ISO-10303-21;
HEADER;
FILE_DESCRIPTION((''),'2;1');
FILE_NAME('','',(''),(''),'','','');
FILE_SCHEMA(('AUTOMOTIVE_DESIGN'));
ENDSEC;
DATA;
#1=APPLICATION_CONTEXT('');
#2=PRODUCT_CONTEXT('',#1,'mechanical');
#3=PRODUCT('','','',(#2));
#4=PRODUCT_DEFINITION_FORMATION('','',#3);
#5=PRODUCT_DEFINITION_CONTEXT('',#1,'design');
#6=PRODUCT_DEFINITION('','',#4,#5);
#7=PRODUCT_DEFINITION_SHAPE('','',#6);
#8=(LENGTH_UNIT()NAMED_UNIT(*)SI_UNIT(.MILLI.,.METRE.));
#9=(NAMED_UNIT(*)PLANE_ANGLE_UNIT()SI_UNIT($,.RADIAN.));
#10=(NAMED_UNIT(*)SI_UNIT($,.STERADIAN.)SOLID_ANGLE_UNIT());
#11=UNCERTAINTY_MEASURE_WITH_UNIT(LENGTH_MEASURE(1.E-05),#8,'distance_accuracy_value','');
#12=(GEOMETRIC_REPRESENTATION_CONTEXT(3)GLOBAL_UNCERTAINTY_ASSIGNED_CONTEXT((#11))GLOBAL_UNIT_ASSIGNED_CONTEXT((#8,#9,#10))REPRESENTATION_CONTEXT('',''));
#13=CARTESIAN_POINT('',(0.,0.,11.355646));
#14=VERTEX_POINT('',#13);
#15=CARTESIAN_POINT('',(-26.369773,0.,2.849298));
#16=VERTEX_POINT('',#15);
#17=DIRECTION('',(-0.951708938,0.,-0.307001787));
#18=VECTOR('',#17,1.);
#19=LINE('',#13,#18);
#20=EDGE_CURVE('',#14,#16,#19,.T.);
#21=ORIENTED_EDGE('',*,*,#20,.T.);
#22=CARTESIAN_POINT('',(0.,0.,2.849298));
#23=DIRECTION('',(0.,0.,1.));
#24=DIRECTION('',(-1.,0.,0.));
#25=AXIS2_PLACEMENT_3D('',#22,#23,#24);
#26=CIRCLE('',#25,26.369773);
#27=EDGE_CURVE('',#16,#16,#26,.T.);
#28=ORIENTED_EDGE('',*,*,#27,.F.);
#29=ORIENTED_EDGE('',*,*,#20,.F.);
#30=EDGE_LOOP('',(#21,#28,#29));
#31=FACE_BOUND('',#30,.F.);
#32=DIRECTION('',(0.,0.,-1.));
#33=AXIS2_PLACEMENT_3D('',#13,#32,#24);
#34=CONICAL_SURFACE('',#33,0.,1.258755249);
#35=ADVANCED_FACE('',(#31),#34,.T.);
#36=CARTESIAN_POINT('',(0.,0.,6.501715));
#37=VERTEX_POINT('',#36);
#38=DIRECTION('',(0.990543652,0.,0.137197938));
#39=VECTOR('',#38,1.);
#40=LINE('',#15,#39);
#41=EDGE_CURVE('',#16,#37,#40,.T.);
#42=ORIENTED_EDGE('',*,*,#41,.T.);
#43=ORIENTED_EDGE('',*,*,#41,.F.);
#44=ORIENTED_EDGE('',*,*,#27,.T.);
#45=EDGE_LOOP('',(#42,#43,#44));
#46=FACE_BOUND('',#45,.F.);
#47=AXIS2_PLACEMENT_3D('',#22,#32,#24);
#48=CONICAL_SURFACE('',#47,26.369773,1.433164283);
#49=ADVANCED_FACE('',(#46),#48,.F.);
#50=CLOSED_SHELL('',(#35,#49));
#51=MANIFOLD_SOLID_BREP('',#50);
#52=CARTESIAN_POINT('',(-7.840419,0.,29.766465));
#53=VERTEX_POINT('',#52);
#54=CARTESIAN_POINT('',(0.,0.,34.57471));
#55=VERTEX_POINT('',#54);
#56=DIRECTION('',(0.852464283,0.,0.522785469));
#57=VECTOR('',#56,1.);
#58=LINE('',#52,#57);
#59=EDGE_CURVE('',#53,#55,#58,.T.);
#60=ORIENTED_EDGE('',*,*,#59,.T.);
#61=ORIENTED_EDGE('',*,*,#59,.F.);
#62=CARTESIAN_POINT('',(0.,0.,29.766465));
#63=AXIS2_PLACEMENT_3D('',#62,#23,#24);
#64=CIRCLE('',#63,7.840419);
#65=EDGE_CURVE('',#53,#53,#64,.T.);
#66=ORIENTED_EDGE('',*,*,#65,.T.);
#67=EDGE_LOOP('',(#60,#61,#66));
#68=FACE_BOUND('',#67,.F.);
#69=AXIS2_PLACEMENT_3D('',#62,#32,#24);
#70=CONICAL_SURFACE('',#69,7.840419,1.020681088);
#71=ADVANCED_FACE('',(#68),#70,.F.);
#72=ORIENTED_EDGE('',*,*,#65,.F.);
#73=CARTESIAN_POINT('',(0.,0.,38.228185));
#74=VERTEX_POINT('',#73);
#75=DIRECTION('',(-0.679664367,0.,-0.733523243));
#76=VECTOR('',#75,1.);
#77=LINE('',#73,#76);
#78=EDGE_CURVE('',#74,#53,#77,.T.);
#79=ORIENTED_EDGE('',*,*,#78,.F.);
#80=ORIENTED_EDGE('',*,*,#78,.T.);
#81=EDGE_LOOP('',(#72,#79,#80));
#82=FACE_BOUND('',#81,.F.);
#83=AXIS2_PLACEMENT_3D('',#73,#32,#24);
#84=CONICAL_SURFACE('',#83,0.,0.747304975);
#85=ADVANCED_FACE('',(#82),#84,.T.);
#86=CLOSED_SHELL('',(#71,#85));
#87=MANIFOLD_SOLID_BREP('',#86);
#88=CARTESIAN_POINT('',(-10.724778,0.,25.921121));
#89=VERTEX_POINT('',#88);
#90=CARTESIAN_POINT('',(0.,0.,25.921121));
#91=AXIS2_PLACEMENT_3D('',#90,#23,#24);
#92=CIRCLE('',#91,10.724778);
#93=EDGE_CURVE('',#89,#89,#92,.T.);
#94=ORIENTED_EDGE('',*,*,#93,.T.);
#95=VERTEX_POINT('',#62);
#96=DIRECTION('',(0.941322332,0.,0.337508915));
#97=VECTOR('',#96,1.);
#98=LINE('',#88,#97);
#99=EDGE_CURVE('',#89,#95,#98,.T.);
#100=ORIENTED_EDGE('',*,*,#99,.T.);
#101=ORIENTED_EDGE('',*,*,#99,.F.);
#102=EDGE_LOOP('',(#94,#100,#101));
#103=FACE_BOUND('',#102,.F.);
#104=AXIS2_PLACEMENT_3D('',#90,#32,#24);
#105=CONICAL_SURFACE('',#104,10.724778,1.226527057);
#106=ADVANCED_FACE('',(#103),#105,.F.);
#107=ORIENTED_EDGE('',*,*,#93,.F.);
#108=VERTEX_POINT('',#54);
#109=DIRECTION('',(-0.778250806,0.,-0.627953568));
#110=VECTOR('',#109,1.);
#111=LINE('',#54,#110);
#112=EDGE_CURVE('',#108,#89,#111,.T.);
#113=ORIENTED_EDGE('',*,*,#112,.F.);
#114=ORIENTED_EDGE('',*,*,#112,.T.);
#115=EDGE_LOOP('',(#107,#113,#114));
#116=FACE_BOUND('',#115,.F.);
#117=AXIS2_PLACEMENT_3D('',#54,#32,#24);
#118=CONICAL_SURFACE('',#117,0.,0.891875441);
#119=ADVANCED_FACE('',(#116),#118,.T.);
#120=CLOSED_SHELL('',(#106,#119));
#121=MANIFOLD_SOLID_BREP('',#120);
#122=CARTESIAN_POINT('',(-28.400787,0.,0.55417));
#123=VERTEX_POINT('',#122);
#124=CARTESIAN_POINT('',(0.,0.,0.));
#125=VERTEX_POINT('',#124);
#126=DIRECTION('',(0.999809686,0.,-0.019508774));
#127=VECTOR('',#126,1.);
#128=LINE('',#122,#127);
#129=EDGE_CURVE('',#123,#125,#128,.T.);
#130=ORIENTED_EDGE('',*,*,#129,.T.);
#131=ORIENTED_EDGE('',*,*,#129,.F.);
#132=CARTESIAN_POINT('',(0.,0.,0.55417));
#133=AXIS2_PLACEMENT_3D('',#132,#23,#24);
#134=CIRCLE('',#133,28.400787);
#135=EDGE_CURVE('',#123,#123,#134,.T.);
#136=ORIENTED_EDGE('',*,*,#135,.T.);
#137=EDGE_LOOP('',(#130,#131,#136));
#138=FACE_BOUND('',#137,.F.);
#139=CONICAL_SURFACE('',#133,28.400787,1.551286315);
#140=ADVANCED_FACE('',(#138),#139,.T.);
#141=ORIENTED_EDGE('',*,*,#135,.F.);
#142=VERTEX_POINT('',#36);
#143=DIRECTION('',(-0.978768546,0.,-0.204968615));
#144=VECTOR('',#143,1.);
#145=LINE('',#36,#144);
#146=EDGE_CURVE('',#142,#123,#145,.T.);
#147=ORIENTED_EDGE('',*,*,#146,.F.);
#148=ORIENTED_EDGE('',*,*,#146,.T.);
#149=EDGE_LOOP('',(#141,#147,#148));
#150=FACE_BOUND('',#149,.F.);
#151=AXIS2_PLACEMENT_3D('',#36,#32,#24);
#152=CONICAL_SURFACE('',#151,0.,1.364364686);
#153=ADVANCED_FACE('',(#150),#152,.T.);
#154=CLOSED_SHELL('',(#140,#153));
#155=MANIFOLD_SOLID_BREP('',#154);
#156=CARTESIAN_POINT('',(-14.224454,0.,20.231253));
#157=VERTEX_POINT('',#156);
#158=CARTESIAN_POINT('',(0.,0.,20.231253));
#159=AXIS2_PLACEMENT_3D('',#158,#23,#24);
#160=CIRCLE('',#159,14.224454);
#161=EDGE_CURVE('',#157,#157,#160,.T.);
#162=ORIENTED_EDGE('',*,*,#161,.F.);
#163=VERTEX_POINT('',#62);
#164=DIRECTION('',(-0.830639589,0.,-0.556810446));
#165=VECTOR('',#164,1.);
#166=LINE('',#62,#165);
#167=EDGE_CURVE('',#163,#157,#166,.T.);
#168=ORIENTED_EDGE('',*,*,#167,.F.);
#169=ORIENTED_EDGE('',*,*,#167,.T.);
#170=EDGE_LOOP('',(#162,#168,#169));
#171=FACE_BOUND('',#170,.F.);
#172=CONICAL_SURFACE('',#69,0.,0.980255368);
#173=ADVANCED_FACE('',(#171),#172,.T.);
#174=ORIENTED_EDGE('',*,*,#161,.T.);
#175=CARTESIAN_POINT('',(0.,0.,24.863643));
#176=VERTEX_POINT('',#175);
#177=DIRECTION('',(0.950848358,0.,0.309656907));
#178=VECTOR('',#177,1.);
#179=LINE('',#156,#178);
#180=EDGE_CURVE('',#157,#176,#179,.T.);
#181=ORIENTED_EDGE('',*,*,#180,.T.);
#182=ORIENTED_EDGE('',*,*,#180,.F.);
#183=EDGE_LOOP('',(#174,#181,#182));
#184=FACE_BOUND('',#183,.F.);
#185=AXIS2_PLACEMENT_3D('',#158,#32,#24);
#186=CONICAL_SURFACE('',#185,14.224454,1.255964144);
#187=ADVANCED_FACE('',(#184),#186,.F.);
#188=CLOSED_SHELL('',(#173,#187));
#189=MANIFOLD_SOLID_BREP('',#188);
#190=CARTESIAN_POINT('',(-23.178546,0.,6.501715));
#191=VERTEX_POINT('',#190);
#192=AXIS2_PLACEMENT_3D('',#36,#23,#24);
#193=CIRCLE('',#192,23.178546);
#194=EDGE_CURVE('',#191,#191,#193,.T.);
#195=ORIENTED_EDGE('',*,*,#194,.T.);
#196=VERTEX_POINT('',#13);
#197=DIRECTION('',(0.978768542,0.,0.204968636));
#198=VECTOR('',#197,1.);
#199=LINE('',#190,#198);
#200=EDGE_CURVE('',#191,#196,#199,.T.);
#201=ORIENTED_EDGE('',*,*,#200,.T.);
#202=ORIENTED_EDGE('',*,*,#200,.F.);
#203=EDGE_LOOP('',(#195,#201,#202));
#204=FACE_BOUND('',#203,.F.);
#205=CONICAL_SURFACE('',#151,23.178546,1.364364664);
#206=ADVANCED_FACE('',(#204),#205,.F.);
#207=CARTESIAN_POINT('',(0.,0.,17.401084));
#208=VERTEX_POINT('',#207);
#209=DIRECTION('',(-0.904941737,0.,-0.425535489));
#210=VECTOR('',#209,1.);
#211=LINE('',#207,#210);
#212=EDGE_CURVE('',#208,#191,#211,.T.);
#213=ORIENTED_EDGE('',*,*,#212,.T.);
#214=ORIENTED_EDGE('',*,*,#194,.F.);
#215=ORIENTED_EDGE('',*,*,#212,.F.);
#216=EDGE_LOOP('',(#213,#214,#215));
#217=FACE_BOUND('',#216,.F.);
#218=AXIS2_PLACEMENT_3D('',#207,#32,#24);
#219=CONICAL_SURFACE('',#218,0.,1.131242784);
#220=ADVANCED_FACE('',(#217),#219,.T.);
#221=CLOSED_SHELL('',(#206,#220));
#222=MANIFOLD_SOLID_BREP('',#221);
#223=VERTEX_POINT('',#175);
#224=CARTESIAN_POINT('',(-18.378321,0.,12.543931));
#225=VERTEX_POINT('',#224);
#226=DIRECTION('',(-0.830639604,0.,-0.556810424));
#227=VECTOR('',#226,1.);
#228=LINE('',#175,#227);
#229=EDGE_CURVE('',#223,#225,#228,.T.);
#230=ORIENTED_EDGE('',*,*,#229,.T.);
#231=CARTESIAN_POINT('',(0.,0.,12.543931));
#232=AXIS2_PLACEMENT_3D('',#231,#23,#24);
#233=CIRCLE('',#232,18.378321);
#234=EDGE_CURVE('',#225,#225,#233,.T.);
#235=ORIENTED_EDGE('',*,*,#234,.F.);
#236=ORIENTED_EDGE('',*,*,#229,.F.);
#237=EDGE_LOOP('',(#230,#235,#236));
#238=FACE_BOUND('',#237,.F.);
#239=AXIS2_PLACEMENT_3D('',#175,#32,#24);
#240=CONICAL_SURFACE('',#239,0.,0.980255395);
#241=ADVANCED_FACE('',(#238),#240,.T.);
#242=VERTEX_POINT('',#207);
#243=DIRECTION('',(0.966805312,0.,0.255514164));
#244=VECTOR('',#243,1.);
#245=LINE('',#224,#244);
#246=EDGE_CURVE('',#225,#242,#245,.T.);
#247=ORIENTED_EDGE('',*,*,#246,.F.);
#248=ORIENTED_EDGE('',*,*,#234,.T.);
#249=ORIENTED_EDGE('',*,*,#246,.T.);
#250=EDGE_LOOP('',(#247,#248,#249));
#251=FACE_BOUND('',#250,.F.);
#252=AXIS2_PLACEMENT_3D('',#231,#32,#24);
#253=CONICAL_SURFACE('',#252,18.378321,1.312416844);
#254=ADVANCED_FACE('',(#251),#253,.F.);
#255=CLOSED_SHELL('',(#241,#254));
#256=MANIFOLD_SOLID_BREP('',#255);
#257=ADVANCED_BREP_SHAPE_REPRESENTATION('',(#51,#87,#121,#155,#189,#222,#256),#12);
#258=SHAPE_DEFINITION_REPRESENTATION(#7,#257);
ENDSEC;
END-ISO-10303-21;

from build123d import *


with BuildPart() as f1:
    # F0 (on Front) → F1 (revolve)
    with BuildSketch(Plane.XZ):
        Polygon((-18.378321, 12.543931), (0, 17.401084), (0, 24.863643), align=None)
        Polygon((-14.224454, 20.231253), (0, 24.863643), (0, 29.766465), align=None)
        Polygon((-7.840419, 29.766465), (0, 34.57471), (0, 38.228185), align=None)
        Polygon((-10.724778, 25.921121), (0, 29.766465), (0, 34.57471), align=None)
        Polygon((-23.178546, 6.501715), (0, 11.355646), (0, 17.401084), align=None)
        Polygon((-26.369773, 2.849298), (0, 6.501715), (0, 11.355646), align=None)
        Polygon((-28.400787, 0.55417), (0, 0), (0, 6.501715), align=None)
    revolve(axis=Axis((0, 0, 19.114093), (0, 0, 1)))


solid = f1.part
